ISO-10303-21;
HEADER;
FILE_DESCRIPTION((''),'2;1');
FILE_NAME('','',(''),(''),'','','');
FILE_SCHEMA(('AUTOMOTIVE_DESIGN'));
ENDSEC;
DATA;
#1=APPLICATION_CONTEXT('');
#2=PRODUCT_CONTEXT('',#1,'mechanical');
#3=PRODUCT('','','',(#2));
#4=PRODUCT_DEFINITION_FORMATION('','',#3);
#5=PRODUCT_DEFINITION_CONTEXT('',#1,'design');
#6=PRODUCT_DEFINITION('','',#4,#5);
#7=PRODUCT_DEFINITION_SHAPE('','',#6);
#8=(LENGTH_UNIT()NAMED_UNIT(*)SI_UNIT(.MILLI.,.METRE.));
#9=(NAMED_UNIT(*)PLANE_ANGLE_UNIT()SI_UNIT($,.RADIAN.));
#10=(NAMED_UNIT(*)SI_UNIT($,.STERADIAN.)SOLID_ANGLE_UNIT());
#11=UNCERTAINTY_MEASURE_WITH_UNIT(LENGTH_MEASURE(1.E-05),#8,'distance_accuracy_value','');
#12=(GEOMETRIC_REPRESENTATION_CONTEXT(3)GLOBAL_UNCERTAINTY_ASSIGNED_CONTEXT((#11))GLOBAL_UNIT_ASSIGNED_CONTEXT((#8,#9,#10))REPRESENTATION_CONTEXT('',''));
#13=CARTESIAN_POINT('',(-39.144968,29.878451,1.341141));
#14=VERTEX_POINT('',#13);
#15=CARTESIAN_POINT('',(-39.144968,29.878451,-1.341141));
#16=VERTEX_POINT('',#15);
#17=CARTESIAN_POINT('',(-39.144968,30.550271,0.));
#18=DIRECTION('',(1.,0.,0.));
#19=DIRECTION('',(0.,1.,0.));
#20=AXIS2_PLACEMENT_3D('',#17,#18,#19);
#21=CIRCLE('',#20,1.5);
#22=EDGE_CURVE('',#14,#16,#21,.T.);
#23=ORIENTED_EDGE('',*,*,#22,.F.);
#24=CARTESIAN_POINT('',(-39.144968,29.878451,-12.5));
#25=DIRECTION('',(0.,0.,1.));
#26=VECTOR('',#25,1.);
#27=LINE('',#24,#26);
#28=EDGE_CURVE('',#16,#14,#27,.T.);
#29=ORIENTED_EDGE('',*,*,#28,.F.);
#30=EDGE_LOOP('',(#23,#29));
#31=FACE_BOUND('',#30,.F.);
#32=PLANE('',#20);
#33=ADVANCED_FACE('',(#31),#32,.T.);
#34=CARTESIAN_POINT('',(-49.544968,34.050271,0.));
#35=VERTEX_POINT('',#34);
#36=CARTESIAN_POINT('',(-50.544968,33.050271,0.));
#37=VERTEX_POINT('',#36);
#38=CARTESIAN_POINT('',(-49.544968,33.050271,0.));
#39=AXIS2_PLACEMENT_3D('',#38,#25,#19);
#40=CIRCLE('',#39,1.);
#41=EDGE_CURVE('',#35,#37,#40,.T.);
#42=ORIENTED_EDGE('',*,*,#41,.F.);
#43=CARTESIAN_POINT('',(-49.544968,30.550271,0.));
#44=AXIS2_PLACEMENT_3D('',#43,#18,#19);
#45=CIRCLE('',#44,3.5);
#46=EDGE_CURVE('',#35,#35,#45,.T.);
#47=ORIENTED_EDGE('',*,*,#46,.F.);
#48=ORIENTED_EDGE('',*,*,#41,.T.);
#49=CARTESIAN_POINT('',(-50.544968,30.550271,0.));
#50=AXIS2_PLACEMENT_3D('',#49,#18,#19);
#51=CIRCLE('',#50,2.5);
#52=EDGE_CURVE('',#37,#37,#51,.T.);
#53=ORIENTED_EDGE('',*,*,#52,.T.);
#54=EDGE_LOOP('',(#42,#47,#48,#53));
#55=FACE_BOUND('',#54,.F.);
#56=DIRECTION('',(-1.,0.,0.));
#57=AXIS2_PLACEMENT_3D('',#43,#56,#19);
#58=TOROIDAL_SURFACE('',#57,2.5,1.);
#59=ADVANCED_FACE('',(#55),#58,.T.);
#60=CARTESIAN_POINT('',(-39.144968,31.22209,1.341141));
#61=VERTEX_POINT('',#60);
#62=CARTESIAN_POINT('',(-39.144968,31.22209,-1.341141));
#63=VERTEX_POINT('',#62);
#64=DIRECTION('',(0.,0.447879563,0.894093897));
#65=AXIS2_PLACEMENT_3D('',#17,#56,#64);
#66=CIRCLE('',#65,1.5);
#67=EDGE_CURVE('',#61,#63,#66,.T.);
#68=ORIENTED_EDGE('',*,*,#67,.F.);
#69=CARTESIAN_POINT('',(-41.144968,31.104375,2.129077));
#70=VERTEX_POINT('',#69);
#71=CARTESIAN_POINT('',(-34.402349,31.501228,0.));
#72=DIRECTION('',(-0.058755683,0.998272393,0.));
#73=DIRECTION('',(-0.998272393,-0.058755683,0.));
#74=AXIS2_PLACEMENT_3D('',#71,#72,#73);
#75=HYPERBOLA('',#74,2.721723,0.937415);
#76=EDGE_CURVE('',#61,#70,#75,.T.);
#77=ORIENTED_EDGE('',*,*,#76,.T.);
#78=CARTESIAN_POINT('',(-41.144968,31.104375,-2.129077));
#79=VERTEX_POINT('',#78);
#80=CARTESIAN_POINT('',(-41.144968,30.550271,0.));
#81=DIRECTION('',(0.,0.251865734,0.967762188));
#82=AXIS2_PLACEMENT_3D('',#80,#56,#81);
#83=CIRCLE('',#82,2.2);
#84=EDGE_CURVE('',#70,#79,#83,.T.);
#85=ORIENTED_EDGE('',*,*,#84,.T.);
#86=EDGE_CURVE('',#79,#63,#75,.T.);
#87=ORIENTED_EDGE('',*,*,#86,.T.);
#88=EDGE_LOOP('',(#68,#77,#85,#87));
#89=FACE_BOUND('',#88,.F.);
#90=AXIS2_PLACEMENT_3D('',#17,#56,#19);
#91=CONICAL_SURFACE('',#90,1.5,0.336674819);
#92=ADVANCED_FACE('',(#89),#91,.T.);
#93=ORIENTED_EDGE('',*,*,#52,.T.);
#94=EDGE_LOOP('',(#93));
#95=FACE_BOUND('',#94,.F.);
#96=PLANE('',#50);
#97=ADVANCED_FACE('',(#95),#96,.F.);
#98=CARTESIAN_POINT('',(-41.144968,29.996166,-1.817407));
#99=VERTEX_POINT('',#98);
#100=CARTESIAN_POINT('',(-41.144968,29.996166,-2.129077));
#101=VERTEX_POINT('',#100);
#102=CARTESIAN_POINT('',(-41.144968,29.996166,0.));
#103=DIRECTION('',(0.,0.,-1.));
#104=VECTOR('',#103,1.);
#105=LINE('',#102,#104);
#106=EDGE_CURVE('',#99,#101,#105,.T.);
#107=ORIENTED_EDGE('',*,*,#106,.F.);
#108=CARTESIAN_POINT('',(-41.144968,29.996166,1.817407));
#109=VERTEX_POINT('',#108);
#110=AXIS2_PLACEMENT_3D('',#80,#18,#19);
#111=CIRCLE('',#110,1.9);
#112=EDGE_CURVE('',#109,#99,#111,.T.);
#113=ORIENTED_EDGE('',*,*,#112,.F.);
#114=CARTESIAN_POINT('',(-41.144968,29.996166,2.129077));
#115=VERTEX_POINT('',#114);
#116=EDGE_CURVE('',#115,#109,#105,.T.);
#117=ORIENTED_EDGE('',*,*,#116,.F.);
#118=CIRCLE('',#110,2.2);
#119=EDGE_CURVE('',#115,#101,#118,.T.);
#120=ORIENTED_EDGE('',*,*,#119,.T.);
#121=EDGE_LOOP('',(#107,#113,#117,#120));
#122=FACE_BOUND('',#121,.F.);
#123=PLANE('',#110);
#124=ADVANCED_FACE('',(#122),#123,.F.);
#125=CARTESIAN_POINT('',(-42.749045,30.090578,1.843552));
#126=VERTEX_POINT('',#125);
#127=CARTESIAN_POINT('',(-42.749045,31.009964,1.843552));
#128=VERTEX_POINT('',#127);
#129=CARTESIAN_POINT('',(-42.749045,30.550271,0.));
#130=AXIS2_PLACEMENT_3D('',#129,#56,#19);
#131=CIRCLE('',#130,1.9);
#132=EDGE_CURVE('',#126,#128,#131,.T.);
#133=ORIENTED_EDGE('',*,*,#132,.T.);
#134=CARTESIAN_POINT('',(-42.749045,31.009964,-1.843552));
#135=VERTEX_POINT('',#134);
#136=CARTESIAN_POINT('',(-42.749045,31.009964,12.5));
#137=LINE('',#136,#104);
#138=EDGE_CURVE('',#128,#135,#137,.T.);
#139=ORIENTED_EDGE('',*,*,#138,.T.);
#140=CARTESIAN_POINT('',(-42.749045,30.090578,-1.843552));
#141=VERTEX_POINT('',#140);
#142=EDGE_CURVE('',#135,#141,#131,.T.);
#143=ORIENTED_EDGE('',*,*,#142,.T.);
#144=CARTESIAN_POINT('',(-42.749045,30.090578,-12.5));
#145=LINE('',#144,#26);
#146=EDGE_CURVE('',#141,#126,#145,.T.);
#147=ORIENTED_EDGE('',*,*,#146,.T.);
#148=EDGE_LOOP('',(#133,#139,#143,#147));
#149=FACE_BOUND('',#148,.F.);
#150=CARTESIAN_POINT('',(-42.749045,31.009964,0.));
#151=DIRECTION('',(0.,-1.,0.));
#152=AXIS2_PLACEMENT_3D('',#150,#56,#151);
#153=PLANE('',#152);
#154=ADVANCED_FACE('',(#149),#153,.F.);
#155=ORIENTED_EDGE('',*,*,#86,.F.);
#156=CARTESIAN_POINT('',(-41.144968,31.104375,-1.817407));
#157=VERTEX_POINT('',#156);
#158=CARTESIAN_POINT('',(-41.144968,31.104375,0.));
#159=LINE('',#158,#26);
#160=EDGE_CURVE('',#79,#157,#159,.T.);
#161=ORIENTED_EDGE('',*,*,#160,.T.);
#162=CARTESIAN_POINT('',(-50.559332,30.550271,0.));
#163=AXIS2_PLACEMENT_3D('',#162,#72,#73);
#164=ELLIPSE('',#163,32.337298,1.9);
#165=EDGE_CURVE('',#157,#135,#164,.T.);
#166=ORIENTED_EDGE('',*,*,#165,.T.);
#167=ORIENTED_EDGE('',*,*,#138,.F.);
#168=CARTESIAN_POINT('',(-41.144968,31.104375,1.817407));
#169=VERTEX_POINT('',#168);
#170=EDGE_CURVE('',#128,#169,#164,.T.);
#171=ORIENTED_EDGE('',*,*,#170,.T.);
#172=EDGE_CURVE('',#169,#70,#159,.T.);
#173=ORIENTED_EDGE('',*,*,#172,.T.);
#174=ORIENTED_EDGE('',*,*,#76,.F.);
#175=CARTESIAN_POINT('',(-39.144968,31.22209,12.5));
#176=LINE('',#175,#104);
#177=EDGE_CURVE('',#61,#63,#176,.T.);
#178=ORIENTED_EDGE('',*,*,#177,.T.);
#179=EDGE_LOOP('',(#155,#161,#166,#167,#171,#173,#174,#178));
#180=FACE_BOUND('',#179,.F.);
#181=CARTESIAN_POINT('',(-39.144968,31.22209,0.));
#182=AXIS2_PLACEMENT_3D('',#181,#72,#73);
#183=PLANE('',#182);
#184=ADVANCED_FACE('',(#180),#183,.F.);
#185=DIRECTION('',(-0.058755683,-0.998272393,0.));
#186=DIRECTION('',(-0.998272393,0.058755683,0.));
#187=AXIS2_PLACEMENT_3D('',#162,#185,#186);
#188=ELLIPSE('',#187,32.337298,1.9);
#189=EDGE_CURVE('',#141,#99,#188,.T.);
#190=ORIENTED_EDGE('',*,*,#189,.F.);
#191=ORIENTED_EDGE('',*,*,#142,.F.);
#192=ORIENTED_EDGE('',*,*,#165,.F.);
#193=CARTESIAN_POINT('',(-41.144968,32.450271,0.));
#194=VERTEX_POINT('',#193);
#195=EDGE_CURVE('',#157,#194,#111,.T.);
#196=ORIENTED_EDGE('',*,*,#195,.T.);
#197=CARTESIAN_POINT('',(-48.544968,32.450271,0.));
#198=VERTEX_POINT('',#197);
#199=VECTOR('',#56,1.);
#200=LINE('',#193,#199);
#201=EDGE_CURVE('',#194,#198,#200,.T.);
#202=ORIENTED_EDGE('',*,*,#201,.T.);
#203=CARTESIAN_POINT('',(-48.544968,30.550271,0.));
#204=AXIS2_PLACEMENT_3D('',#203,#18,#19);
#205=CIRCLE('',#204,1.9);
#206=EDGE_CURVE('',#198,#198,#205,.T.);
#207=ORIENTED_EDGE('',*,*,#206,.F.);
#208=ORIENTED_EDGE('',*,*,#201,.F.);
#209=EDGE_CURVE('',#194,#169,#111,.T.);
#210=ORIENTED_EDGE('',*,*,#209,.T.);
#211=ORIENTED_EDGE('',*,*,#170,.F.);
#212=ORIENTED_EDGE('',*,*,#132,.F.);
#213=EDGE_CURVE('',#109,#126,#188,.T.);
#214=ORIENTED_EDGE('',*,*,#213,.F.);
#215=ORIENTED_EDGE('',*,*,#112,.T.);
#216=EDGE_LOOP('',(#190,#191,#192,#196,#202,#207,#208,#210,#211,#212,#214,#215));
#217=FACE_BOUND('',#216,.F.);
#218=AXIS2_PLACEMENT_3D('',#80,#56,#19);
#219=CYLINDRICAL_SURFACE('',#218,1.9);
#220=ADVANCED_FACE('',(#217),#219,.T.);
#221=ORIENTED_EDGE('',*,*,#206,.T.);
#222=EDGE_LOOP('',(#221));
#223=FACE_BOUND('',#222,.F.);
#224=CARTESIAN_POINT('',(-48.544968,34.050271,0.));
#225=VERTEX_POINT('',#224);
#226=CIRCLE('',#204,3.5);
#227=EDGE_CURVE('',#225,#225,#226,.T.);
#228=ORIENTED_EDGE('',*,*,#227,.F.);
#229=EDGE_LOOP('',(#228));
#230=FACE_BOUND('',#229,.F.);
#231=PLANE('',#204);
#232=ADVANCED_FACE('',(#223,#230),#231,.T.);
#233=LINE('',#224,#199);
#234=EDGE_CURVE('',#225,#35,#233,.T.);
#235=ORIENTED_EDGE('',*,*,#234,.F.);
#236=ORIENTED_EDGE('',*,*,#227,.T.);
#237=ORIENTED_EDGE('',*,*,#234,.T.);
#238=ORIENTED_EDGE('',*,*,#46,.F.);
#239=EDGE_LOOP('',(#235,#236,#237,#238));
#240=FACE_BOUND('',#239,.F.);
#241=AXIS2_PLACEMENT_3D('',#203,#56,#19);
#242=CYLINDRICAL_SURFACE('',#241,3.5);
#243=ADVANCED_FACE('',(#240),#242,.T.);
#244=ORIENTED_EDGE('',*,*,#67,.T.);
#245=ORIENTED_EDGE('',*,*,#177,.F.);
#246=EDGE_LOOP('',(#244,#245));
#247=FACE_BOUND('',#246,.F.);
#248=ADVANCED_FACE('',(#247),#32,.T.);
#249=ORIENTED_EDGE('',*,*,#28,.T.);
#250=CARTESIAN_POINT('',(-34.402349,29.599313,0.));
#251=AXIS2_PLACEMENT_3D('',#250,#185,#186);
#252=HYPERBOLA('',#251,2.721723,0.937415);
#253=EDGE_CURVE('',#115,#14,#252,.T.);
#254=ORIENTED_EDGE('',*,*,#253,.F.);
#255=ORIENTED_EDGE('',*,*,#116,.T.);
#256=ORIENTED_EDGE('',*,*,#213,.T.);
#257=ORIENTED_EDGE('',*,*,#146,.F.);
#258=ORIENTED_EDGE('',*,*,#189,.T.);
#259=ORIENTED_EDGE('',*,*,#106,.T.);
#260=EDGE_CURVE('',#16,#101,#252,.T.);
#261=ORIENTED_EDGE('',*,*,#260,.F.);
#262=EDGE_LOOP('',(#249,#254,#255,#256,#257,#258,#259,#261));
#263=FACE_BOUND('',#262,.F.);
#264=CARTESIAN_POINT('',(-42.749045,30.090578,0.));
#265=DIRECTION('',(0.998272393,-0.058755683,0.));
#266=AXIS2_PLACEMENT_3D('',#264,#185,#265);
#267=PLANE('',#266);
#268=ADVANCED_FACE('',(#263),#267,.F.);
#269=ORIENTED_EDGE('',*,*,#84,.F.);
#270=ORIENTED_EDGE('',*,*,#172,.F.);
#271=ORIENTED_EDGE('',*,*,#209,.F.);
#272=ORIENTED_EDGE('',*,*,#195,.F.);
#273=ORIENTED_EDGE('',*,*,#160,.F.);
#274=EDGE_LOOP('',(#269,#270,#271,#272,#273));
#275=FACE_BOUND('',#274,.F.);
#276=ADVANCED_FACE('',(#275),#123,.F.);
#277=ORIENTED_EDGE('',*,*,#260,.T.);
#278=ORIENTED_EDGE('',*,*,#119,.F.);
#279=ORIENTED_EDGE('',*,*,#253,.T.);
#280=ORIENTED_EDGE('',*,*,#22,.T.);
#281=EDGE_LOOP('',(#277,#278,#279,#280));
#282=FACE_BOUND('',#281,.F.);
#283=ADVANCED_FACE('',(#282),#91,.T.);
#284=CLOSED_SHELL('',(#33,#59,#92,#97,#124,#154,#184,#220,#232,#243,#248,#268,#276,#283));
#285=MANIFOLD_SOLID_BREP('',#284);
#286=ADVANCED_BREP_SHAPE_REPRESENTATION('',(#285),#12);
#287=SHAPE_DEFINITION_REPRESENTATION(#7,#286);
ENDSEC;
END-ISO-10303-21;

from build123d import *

# Parameters (mm, degrees)
F2_DEPTH = 12.5
F3_R     = 1


with BuildPart() as f1:
    # F0 (on Top) → F1 (revolve)
    with BuildSketch(Plane.XY):
        Polygon((-48.5449684441, 34.0502707809), (-50.5449684441, 34.0502707809), (-50.5449684441, 30.5502707809), (-42.7490452468, 30.5502707809), (-42.7490452468, 31.0099636614), (-39.1449684441, 31.2220901251), (-39.1449684441, 32.0502707809), (-41.1449684441, 32.7502707809), (-41.1449684441, 32.4502707809), (-48.5449684441, 32.4502707809), align=None)
        Polygon((-42.7490452468, 31.0099636614), (-42.7490452468, 30.5502707809), (-39.1449684441, 30.5502707809), (-39.1449684441, 31.2220901251), align=None)
    revolve(axis=Axis((-41.4569408685, 30.5502707809, 0), (1, 0, 0)))

    # F0 (on Top) → F2 (cut, symmetric)
    with BuildSketch(Plane.XY):
        Polygon((-42.7490452468, 31.0099636614), (-42.7490452468, 30.5502707809), (-39.1449684441, 30.5502707809), (-39.1449684441, 31.2220901251), align=None)
        Polygon((-39.1449684441, 30.5502707809), (-42.7490452468, 30.5502707809), (-42.7490452468, 30.0905779004), (-39.1449684441, 29.8784514368), align=None)
    extrude(amount=F2_DEPTH, both=True, mode=Mode.SUBTRACT)

    # F3
    f3_edges = [f1.edges().sort_by_distance(p)[0] for p in [
        (-50.544968, 27.050271, 0),
    ]]
    fillet(f3_edges, radius=F3_R)


solid = f1.part
